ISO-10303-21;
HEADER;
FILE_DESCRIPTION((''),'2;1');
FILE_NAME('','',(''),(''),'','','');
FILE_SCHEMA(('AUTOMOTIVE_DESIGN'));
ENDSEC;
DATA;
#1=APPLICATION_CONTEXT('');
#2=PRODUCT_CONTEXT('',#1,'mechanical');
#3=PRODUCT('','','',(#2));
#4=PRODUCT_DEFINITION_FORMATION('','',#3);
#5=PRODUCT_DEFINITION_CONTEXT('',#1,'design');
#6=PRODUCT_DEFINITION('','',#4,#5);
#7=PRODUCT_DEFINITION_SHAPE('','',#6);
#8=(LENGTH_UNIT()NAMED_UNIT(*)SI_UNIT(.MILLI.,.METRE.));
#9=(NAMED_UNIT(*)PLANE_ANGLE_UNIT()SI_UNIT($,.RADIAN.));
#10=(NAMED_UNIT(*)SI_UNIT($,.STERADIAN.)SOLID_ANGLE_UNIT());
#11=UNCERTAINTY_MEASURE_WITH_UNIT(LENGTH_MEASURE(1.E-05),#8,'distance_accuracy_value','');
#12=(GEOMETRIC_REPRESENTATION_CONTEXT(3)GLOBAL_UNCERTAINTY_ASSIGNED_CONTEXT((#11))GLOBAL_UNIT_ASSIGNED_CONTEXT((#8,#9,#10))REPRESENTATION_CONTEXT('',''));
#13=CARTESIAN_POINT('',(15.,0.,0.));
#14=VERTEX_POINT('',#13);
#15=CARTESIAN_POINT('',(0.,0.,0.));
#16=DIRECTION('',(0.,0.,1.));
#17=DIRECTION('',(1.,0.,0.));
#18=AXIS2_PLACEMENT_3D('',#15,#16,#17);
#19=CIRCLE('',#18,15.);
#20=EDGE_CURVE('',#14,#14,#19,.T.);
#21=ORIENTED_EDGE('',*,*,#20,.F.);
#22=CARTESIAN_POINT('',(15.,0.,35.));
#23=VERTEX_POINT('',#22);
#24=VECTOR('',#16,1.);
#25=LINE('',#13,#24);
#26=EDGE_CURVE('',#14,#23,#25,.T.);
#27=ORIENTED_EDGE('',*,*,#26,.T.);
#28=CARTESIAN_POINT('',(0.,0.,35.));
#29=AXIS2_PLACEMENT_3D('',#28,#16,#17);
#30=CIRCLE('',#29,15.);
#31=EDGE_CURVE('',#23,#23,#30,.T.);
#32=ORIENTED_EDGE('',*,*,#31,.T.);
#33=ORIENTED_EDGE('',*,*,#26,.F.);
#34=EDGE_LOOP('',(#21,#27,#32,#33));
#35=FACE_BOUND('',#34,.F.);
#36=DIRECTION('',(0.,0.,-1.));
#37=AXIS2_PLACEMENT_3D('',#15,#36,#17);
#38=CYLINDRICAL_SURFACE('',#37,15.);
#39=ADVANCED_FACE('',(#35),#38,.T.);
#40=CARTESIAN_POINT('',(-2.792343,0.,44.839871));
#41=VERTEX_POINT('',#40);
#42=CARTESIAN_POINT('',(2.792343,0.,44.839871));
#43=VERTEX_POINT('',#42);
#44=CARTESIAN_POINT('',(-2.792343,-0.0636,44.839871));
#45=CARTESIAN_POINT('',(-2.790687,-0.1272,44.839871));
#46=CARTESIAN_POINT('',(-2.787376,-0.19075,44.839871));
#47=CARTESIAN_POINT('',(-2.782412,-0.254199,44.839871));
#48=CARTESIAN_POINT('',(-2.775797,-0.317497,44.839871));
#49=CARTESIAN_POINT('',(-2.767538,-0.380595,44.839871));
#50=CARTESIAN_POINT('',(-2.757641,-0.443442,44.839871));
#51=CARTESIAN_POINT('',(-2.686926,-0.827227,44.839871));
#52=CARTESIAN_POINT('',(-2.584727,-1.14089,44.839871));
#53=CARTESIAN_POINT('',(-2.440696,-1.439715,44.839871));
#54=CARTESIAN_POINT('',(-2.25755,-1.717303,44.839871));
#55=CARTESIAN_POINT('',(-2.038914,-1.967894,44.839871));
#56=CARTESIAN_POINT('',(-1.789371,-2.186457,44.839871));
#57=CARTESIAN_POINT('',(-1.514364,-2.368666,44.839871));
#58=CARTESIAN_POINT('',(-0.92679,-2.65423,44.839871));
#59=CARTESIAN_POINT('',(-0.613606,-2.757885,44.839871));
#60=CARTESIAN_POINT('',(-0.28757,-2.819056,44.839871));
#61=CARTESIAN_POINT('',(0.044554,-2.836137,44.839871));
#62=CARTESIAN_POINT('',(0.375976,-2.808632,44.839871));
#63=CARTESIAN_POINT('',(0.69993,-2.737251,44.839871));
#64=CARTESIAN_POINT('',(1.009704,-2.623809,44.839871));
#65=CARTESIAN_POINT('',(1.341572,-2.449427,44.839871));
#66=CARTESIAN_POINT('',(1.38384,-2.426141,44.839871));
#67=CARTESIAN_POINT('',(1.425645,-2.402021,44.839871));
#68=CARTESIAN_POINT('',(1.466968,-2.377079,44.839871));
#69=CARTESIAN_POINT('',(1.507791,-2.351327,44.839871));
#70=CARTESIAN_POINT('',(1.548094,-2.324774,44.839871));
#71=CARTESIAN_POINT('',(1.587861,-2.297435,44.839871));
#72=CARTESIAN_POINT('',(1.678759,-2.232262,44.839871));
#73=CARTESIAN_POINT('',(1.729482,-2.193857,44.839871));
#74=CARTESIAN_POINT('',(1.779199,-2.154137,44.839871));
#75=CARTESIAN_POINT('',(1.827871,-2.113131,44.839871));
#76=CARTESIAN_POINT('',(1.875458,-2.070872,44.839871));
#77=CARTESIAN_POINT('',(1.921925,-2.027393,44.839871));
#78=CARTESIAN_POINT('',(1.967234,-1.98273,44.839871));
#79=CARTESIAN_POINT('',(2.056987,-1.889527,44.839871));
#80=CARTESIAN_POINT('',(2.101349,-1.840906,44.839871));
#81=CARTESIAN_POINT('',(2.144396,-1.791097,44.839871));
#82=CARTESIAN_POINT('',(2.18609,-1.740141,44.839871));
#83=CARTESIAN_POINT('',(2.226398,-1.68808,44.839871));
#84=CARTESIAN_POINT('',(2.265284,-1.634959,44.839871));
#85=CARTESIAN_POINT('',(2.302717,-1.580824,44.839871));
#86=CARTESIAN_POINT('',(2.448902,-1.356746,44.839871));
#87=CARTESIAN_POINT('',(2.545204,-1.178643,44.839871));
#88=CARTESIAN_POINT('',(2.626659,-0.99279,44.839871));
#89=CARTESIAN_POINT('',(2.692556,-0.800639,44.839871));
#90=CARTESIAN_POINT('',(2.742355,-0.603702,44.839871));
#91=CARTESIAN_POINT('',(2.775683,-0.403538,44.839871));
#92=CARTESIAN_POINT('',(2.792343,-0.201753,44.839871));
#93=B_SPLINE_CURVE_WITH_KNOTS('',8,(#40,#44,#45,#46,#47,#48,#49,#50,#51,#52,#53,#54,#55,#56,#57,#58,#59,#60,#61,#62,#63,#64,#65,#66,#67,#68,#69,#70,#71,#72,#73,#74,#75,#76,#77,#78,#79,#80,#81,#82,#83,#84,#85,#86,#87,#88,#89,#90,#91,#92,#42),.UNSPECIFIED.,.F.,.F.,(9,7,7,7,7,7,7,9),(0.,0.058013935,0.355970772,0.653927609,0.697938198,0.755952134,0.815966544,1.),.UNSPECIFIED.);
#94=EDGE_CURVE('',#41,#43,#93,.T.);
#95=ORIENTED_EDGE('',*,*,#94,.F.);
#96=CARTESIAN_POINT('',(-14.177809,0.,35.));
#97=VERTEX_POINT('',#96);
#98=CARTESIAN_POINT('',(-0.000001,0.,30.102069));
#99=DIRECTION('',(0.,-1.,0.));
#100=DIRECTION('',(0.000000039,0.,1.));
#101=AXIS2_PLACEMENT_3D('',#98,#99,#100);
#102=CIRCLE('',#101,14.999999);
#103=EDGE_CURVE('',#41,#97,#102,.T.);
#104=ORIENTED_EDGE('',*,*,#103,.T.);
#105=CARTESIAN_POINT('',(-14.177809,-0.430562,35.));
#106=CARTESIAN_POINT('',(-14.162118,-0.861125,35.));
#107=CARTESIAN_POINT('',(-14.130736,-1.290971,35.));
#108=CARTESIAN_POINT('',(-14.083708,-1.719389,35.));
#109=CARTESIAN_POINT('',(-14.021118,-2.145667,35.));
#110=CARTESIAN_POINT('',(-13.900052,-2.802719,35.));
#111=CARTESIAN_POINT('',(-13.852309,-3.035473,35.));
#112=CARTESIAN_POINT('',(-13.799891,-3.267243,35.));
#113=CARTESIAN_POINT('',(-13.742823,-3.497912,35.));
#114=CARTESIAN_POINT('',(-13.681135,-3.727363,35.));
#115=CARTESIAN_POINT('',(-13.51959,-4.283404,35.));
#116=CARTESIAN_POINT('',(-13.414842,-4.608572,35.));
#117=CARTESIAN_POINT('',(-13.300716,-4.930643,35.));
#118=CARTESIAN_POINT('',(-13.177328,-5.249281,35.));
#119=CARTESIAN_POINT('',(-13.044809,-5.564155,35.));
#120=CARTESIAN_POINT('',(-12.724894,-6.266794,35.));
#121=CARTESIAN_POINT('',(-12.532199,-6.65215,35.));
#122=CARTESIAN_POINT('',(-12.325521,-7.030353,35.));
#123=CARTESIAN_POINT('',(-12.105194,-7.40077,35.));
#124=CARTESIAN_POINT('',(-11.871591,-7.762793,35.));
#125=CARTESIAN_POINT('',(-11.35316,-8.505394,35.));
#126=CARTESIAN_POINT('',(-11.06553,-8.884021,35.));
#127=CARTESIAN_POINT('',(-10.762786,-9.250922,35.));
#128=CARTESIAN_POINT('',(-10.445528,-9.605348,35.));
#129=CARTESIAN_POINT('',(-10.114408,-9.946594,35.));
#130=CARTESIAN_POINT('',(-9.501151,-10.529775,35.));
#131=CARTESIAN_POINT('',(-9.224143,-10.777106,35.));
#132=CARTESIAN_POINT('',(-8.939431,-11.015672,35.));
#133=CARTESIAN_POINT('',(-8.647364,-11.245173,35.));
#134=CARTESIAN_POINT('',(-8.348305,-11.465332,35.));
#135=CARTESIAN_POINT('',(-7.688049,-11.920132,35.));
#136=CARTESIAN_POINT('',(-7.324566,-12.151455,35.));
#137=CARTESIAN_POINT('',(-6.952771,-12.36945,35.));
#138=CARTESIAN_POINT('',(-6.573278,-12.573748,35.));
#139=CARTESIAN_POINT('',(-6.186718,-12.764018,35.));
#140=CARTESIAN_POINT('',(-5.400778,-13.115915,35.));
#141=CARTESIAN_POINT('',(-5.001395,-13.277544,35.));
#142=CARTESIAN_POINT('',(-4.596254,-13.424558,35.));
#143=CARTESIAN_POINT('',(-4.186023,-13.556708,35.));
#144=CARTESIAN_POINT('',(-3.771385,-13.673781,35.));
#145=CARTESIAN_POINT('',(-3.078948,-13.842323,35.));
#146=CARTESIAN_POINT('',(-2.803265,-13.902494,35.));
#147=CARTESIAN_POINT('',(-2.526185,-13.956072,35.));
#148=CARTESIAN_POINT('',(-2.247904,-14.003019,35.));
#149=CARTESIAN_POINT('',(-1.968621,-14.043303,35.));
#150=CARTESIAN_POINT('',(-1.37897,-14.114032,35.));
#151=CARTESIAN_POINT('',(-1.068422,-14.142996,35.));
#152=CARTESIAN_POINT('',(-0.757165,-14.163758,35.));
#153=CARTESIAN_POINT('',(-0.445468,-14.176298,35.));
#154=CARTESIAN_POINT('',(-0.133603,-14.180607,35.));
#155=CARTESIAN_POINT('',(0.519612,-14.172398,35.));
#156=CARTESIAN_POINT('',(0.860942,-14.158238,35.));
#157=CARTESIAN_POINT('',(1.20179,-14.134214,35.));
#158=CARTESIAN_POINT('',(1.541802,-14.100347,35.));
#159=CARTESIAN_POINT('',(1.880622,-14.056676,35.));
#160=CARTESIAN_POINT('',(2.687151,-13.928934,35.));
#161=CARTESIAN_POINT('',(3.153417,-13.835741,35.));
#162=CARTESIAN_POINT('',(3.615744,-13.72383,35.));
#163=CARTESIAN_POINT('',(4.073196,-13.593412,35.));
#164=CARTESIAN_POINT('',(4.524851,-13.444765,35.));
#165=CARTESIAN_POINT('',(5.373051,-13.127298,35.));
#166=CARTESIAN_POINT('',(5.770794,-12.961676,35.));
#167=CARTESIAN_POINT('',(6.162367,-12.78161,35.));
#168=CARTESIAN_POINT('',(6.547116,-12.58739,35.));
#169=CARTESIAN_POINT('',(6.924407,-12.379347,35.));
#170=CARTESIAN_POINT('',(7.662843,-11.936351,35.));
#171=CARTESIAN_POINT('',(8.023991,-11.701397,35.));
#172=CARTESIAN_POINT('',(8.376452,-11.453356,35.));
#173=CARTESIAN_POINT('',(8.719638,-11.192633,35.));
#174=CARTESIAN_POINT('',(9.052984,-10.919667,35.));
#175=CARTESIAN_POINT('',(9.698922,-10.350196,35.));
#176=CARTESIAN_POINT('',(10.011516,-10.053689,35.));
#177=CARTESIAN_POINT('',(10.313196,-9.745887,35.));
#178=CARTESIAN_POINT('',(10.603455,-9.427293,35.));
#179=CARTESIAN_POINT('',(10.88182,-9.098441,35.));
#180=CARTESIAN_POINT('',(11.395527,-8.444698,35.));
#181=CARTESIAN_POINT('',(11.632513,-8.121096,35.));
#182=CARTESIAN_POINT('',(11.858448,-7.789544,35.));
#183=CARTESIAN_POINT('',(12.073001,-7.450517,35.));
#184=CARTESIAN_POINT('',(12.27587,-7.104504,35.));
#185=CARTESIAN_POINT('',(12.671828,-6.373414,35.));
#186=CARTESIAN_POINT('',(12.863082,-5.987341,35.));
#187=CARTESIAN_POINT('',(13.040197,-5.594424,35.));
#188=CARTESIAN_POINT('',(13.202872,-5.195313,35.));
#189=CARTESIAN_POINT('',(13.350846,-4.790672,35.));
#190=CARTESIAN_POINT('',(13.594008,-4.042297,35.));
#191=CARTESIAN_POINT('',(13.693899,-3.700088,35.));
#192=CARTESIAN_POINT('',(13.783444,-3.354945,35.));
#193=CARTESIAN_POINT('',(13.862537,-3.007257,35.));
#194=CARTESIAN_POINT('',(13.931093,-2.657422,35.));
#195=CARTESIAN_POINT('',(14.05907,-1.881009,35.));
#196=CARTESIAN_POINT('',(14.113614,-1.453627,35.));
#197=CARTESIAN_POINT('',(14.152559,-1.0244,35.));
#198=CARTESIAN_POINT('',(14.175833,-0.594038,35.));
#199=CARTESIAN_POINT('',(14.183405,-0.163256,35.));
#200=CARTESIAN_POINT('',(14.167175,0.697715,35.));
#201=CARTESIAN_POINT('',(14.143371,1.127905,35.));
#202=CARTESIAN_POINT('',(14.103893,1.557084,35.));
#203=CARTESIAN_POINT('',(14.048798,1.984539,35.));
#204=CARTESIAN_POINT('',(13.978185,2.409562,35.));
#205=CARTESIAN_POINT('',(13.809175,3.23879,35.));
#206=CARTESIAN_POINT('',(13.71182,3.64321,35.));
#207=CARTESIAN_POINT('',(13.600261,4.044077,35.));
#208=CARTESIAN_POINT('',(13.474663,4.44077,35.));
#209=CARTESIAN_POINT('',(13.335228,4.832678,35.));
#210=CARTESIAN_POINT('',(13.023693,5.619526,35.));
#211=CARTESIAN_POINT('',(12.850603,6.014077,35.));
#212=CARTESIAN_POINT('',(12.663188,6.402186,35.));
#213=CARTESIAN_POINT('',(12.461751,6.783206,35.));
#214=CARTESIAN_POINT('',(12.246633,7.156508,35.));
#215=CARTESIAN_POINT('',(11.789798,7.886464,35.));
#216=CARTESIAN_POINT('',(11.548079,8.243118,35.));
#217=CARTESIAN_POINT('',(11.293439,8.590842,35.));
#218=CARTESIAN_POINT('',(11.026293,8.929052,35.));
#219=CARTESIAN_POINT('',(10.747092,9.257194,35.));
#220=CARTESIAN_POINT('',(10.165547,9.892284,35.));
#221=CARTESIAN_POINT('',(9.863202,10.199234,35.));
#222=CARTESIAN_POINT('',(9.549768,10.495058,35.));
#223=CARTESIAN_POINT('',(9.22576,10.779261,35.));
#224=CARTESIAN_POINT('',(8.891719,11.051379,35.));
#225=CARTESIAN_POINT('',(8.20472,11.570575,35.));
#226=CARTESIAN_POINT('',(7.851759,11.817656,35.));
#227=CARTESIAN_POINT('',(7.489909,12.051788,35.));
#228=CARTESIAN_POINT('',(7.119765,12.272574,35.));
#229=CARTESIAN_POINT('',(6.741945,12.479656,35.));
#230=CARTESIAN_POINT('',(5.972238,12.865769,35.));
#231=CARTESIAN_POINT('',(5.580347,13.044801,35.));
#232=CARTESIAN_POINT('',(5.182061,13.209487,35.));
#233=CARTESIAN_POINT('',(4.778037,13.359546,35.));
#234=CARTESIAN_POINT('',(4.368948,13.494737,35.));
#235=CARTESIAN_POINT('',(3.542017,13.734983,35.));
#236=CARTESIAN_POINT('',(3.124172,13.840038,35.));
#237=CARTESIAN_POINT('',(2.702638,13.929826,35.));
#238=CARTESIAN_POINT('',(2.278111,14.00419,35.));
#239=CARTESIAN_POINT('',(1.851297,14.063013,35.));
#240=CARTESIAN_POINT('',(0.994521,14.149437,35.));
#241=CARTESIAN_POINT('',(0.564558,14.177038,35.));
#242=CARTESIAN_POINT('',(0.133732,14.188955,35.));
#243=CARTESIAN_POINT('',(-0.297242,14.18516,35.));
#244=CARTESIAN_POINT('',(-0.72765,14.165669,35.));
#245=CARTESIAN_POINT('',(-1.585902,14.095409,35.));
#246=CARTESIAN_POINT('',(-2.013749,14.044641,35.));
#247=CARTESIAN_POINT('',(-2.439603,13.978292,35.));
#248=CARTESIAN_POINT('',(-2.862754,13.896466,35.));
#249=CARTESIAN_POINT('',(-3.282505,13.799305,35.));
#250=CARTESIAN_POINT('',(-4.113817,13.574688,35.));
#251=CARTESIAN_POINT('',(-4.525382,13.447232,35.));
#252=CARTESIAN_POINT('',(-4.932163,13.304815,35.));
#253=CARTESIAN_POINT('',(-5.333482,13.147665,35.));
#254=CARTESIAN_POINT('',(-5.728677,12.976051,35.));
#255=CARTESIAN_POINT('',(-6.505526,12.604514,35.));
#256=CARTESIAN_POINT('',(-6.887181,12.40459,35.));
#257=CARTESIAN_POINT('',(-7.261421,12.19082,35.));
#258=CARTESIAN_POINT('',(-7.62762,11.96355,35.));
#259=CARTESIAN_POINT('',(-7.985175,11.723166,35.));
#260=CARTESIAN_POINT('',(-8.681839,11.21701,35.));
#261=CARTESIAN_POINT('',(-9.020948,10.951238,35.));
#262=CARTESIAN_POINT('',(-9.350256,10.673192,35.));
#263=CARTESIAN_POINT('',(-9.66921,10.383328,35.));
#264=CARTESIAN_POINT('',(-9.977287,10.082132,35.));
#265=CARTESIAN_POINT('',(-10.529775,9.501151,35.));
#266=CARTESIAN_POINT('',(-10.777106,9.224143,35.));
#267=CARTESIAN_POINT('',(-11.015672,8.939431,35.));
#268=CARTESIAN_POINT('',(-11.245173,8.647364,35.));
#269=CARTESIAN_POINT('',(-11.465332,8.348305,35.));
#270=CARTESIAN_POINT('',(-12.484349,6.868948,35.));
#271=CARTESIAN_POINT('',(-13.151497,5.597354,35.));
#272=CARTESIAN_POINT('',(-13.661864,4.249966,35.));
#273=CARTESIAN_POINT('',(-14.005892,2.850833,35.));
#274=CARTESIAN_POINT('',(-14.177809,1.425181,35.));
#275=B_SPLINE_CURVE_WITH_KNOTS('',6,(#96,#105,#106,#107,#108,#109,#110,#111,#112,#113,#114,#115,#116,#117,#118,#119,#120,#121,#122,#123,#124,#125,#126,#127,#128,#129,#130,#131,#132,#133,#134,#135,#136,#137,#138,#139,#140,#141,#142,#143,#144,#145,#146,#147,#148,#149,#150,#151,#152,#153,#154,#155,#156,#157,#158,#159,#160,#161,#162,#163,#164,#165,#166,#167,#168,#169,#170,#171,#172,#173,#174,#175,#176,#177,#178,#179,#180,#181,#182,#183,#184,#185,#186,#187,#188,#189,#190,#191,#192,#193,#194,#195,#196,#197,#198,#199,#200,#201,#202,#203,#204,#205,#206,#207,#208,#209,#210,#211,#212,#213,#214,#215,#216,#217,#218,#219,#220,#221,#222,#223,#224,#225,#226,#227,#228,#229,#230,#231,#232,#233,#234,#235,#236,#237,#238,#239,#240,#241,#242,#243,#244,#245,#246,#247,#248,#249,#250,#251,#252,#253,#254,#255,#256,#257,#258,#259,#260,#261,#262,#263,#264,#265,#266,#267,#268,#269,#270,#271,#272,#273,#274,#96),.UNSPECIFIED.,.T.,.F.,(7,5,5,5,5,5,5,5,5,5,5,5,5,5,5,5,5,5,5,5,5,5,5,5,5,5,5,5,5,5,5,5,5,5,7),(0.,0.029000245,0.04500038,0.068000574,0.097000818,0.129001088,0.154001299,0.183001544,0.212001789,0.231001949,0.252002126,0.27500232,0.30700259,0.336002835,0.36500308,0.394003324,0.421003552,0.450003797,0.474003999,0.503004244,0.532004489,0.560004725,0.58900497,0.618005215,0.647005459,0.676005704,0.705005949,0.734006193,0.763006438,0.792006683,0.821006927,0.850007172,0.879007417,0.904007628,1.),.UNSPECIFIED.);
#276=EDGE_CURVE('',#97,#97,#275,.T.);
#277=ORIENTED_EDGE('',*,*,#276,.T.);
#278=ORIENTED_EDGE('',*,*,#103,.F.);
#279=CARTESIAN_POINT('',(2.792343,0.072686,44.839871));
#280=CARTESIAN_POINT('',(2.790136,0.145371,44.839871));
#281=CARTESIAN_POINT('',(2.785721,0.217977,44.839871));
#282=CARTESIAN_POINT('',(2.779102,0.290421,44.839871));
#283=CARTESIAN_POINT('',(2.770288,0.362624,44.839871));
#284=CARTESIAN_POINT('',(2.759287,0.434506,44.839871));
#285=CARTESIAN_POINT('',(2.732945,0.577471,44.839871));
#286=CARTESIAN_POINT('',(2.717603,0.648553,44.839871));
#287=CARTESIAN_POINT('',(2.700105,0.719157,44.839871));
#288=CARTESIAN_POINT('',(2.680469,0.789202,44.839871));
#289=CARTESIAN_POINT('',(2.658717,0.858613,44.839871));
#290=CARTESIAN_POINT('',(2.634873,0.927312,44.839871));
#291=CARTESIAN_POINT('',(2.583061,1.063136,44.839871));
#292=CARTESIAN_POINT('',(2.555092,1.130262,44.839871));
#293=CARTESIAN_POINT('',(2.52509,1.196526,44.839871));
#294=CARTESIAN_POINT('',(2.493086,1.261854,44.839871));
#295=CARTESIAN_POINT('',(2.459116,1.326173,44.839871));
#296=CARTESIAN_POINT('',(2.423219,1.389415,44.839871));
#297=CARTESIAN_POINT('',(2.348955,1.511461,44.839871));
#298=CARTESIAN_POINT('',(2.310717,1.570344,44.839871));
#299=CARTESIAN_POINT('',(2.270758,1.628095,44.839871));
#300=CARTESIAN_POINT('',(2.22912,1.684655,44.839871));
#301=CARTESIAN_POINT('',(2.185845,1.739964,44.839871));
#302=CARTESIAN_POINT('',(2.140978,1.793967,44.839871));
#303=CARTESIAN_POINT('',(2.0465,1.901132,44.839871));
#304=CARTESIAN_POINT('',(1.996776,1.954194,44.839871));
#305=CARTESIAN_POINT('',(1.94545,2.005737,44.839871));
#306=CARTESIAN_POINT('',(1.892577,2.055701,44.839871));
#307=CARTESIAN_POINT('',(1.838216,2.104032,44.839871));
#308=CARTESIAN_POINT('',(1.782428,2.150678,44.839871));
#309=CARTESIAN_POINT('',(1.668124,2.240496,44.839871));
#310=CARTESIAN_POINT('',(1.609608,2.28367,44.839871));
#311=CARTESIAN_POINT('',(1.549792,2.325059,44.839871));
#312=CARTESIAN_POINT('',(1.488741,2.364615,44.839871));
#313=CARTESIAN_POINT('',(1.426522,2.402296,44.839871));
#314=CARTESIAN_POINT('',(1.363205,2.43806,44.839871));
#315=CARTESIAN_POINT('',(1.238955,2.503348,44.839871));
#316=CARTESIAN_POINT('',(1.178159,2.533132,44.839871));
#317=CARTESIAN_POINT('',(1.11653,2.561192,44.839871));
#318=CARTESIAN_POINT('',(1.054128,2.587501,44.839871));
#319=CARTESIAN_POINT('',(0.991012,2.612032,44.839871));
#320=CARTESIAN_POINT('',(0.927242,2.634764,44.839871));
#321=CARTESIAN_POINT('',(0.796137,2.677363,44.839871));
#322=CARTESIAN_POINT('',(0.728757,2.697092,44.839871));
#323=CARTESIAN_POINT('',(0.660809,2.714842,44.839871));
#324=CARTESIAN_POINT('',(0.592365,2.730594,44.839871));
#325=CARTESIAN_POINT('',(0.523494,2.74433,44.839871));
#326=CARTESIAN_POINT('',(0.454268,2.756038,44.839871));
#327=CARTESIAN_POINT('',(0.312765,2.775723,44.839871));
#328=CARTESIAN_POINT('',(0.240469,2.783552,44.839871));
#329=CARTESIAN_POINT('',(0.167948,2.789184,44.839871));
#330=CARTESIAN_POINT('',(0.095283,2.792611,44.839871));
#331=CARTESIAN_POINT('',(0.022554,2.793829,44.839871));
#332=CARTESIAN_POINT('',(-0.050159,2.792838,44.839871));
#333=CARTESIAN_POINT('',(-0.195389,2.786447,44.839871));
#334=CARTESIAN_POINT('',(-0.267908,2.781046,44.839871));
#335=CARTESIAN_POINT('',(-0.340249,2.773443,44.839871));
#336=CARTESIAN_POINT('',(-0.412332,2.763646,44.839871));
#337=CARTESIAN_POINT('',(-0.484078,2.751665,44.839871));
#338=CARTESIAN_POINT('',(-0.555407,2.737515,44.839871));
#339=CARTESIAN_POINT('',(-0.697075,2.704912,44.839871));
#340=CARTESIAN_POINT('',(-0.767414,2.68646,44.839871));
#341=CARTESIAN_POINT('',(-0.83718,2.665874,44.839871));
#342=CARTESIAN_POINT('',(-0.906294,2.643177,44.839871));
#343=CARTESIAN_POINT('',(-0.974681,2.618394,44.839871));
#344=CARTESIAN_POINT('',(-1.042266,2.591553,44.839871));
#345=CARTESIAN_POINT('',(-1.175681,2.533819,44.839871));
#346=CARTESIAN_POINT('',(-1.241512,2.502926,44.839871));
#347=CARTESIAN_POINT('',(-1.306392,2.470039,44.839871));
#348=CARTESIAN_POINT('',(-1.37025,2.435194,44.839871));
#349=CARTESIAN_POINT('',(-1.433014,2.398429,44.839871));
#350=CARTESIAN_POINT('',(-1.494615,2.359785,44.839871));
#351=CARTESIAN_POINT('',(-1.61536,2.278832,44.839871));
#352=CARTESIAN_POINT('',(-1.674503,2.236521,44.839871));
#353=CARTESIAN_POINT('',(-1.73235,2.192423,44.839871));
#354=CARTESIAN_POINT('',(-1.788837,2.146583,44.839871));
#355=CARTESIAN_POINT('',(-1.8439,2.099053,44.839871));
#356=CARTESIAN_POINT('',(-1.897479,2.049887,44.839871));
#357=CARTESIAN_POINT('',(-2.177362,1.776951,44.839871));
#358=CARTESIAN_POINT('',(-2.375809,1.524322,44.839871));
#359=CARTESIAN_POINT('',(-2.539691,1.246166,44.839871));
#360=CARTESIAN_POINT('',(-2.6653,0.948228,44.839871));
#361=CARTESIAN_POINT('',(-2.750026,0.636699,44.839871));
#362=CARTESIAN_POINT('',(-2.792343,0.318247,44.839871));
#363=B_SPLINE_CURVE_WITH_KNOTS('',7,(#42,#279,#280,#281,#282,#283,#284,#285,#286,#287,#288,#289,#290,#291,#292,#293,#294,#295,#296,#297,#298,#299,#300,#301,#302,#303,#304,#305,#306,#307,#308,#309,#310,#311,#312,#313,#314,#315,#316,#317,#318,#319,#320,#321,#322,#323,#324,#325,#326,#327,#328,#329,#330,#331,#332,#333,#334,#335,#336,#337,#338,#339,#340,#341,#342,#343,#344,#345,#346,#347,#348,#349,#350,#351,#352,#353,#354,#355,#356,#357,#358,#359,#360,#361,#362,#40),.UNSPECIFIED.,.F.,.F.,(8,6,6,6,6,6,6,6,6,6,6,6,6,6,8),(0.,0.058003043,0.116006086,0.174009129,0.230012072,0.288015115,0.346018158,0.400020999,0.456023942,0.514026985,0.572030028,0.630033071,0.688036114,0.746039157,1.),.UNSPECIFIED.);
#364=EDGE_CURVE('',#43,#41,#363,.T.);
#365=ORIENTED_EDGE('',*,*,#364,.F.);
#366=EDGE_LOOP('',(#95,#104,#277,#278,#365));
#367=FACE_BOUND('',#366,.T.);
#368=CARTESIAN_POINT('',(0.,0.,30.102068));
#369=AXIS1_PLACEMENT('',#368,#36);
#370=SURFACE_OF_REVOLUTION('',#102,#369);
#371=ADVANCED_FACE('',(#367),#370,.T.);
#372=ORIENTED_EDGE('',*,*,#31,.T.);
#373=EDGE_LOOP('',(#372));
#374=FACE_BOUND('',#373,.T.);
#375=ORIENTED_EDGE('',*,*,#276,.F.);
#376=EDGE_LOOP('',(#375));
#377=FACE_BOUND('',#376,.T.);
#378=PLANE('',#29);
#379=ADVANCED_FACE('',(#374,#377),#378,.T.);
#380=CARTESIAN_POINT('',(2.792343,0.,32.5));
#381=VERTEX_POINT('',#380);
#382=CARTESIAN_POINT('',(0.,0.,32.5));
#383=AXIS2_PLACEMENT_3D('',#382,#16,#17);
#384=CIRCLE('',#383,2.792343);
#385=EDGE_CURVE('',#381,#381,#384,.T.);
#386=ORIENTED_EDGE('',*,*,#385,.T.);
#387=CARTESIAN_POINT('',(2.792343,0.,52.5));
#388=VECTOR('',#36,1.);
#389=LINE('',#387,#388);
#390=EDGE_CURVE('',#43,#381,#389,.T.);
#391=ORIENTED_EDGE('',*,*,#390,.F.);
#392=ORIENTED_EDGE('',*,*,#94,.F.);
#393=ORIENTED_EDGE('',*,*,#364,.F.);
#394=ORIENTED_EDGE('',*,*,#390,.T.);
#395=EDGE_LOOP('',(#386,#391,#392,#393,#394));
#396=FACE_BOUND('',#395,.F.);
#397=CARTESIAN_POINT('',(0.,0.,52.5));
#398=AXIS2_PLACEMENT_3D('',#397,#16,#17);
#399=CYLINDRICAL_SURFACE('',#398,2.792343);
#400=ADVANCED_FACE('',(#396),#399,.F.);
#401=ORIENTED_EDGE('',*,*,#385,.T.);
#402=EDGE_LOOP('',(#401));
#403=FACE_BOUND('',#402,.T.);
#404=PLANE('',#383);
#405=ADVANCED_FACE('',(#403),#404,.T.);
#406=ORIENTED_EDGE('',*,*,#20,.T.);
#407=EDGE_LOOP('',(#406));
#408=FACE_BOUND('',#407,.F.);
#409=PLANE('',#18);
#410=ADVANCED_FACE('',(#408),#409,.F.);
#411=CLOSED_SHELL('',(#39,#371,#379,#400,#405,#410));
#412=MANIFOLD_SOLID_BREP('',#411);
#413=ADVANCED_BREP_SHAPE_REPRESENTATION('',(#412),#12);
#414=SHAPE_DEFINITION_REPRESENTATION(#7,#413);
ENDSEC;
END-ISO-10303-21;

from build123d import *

# Parameters (mm, degrees)
F0_R     = 15
F1_DEPTH = 35
F5_R     = 2.792343
F6_DEPTH = 20


with BuildPart() as f1:
    # F0 (on Top) → F1 (new body)
    with BuildSketch(Plane.XY):
        Circle(F0_R)
    extrude(amount=F1_DEPTH)

    # F2 (on Front) → F3 (revolve)
    with BuildSketch(Plane.XZ):
        with BuildLine():
            Line((0, 29.952514), (0, 45.102068))
            ThreePointArc((0, 45.102068), (-10.659346, 40.655662), (-14.999254, 29.952514))
            Line((-14.999254, 29.952514), (0, 29.952514))
        make_face()
    revolve(axis=Axis((0, 0, 30.102068), (0, 0, -1)))

    # F5 (on offset) → F6 (cut)
    with BuildSketch(Plane.XY.offset(52.5)):
        Circle(F5_R)
    extrude(amount=-F6_DEPTH, mode=Mode.SUBTRACT)


solid = f1.part
